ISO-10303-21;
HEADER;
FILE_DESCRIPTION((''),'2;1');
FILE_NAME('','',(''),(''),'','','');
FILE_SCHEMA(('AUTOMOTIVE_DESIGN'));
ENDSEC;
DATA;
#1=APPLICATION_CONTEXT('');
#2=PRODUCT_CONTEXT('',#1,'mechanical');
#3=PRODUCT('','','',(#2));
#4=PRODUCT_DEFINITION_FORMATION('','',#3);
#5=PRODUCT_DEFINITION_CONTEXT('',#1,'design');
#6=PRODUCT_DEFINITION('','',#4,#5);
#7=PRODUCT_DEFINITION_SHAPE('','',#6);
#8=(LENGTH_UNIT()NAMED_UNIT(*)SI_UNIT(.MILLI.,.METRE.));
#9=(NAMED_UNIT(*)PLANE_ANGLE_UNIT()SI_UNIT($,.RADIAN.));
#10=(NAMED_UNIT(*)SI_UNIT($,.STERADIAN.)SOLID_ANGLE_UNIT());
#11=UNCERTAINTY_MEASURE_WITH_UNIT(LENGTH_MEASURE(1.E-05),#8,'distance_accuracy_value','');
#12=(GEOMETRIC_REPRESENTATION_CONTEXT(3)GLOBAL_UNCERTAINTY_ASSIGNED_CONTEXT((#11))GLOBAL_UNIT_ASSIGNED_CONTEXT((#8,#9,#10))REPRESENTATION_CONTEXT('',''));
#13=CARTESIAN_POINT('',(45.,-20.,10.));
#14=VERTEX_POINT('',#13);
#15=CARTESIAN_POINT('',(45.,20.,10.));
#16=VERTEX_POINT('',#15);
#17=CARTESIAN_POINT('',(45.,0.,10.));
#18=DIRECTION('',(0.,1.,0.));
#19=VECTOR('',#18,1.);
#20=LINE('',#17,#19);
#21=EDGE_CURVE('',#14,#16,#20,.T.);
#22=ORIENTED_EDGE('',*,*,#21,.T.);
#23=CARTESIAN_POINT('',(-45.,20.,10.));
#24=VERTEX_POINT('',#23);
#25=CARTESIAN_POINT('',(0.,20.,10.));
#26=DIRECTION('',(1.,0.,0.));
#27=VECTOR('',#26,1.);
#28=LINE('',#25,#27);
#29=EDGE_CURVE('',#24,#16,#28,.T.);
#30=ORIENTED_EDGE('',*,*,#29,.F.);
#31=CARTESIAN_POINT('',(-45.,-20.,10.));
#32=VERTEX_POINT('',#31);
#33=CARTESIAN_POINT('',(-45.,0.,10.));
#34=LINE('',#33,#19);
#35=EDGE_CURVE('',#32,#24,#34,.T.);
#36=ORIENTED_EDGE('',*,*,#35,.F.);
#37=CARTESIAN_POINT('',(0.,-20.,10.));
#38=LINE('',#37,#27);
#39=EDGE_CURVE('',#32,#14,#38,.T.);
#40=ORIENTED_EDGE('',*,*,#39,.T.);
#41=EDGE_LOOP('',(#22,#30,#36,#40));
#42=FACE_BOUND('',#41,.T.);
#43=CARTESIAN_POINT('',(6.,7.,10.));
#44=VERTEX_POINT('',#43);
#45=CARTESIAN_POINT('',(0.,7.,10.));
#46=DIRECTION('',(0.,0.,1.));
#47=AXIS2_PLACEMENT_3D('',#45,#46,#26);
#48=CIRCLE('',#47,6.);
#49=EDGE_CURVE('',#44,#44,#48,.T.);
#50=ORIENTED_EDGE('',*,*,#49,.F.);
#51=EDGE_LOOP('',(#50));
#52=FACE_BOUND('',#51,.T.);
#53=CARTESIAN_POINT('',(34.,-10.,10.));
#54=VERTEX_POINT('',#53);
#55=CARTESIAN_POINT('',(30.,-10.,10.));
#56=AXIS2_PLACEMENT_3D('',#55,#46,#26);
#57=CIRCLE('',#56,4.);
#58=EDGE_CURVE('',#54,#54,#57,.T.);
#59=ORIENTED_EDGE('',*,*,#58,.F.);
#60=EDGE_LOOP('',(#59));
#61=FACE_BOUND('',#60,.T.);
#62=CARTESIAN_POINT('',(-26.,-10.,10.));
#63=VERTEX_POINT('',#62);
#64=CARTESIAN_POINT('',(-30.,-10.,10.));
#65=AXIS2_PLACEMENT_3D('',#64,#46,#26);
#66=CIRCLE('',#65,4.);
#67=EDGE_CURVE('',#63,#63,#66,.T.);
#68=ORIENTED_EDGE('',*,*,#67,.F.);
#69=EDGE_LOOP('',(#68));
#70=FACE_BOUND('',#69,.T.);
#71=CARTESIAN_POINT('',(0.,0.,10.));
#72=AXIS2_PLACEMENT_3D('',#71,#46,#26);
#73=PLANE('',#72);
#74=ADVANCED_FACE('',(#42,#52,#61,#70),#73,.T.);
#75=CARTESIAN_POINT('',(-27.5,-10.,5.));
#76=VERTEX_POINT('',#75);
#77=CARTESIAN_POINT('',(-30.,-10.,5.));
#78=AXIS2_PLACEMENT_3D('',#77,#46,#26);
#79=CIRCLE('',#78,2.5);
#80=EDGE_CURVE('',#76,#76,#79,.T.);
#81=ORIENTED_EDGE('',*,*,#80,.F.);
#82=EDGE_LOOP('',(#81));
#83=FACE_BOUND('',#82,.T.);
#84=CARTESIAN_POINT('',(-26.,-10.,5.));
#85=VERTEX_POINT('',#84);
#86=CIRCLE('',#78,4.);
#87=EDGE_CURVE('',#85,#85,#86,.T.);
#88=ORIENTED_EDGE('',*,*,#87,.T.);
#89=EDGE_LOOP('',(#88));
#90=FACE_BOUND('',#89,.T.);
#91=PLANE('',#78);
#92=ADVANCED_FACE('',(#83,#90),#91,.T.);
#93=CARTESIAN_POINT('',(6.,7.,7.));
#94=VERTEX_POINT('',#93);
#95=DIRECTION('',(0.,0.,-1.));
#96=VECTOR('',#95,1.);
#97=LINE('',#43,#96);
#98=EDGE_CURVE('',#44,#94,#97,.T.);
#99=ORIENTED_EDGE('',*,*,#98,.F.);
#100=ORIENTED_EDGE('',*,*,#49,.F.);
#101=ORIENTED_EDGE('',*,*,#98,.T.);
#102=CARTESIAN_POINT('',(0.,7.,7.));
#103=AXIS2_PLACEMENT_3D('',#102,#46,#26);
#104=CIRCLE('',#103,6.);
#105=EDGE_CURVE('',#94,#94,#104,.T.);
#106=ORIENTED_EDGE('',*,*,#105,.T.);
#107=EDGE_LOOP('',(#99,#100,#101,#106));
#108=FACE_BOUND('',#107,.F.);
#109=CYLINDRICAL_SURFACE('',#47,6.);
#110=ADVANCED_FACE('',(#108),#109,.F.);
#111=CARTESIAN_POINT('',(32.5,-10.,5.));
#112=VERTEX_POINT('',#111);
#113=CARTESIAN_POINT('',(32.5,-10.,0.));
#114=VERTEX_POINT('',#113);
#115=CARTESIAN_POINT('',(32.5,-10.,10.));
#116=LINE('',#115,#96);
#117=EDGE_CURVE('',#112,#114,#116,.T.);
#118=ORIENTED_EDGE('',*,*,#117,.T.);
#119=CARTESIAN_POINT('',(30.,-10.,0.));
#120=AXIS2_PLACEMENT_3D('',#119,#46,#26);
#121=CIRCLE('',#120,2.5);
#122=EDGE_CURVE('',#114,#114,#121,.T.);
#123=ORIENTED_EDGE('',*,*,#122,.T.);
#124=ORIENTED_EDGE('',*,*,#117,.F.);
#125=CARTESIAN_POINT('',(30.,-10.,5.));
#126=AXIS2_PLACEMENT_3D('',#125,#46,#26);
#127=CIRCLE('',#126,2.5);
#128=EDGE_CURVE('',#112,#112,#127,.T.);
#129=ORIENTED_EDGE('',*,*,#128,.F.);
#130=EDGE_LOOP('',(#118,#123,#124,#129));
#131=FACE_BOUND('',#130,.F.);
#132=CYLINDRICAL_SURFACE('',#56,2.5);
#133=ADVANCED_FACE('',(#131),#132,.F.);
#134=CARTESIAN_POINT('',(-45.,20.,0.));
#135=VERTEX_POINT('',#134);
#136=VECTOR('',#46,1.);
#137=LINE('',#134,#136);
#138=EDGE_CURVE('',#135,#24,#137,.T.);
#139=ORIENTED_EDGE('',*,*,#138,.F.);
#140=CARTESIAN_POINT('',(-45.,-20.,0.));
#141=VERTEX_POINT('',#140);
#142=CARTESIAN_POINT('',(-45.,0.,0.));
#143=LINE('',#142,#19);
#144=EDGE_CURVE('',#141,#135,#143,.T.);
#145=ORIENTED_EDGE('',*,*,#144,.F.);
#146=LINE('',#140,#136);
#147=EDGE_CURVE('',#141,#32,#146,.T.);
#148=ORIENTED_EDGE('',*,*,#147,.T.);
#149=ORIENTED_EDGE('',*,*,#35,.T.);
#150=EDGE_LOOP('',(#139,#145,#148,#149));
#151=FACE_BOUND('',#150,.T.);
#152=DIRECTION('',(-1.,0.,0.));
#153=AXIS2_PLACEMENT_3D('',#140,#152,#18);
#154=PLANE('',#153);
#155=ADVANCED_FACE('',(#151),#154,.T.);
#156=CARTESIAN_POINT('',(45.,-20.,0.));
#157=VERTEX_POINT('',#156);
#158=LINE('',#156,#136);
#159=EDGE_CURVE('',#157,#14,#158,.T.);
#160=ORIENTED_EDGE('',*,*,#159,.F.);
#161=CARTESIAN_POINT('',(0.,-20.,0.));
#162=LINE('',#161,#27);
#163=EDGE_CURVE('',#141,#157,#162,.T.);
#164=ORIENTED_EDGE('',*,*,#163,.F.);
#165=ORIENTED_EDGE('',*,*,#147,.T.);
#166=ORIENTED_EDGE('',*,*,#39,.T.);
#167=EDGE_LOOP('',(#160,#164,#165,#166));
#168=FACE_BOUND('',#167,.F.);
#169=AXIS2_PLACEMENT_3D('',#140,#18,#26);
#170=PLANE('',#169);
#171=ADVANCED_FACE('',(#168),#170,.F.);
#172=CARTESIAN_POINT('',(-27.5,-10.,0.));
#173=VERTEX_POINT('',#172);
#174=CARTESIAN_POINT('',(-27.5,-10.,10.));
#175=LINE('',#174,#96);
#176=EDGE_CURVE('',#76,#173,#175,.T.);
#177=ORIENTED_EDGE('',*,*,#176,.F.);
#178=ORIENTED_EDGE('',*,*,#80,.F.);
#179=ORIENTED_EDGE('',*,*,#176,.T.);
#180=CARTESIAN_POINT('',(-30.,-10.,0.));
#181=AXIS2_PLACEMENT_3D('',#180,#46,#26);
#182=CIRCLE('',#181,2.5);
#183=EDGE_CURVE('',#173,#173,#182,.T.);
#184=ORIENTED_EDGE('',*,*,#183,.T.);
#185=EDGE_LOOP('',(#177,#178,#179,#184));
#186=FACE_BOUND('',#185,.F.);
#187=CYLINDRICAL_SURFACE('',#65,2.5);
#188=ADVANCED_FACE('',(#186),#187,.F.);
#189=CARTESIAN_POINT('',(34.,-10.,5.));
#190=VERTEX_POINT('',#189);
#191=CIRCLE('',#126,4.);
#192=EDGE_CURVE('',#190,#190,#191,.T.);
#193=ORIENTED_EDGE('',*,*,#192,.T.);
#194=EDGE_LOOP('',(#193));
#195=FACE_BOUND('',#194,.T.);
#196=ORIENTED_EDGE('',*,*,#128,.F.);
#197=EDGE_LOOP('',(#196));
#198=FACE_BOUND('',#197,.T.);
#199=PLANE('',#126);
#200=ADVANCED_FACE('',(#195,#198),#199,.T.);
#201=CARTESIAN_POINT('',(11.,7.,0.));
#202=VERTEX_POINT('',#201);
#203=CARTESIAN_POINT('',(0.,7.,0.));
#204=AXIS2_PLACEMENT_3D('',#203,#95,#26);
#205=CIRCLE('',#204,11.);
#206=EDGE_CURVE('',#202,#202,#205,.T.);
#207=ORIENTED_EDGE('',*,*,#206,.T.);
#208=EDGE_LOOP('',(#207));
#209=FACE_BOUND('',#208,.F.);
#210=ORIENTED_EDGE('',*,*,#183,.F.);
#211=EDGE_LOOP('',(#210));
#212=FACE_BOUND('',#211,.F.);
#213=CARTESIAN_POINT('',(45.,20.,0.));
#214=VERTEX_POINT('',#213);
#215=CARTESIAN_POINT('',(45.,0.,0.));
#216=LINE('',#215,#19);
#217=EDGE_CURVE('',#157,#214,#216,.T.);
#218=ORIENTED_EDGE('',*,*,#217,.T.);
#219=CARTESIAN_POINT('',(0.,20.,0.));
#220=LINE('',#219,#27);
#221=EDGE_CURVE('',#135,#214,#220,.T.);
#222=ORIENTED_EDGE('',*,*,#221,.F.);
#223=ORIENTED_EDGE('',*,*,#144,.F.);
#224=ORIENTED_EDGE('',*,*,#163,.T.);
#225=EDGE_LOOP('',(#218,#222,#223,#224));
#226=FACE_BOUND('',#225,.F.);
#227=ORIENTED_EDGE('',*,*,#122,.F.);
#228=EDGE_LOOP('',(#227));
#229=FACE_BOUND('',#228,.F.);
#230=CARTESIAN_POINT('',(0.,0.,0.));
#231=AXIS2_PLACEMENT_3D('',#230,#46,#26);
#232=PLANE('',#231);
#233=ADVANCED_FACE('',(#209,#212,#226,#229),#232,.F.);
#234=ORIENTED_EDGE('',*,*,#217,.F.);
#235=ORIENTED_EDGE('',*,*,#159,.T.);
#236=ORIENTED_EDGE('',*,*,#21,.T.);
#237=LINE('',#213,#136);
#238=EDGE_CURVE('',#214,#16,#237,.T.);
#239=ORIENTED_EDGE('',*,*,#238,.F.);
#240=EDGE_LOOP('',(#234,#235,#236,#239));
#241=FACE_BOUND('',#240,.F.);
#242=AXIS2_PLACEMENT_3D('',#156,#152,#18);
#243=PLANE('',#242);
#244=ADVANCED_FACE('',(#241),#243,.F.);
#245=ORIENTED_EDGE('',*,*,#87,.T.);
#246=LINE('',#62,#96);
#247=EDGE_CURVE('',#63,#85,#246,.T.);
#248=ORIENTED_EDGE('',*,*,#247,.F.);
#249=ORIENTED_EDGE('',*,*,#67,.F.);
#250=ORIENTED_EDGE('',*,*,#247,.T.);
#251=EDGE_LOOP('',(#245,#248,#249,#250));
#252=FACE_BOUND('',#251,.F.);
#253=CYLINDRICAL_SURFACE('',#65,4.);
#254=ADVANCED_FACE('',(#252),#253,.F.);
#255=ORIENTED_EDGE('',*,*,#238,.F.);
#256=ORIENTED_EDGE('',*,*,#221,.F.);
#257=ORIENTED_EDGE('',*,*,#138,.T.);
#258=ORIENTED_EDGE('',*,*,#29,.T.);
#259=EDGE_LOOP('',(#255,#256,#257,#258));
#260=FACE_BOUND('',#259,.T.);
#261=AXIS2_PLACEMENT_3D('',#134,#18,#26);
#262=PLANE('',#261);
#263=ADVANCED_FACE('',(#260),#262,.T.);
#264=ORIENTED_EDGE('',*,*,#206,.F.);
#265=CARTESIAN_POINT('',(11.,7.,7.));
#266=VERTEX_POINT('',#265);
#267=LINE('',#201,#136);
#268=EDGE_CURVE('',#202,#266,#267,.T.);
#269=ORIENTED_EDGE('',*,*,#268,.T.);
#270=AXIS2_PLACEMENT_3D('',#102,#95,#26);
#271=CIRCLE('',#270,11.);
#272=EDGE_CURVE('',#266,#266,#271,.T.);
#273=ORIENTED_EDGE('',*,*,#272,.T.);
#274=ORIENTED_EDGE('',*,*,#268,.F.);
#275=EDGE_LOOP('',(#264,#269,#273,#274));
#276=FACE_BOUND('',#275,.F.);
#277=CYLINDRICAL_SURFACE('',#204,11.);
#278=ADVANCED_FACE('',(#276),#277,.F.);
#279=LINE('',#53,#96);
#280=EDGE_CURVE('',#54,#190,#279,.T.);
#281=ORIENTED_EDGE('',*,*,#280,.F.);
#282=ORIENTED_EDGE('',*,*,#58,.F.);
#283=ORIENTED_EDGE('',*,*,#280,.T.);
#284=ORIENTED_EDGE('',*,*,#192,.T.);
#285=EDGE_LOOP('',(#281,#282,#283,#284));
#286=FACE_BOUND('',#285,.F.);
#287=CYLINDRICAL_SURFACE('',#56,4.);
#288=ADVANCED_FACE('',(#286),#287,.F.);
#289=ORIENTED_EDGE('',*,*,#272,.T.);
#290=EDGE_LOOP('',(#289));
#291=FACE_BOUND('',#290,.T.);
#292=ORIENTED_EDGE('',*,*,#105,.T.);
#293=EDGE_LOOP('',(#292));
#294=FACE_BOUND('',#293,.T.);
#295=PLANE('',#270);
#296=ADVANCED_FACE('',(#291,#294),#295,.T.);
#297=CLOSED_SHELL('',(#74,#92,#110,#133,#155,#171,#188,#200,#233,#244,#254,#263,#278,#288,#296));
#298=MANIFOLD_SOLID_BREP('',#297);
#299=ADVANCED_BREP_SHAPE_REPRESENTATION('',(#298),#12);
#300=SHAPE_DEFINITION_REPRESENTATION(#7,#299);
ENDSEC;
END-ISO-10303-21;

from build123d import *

# Parameters (mm, degrees)
SKETCH_W        = 90
SKETCH_H        = 40
PAD_DEPTH       = 10
SKETCH001_R     = 6
SKETCH001_R_2   = 2.5
POCKET_DEPTH    = 10.001
SKETCH002_R     = 4
POCKET001_DEPTH = 5
SKETCH004_R     = 11
POCKET003_DEPTH = 7


with BuildPart() as part:
    # Sketch → Pad (new body)
    with BuildSketch(Plane.XY):
        Rectangle(SKETCH_W, SKETCH_H)
    extrude(amount=PAD_DEPTH)

    # Sketch001 (on Face6 of Pad) → Pocket (cut, through all)
    with BuildSketch(Plane.XY.offset(10)):
        with Locations((0, 7)):
            Circle(SKETCH001_R)
        with Locations((-30, -10)):
            Circle(SKETCH001_R_2)
        with Locations((30, -10)):
            Circle(SKETCH001_R_2)
    extrude(amount=-POCKET_DEPTH, mode=Mode.SUBTRACT)

    # Sketch002 (on Face5 of Pocket) → Pocket001 (cut)
    with BuildSketch(Plane.XY.offset(10)):
        with Locations((30, -10)):
            Circle(SKETCH002_R)
        with Locations((0, 7)):
            Circle(SKETCH002_R)
        with Locations((-30, -10)):
            Circle(SKETCH002_R)
    extrude(amount=-POCKET001_DEPTH, mode=Mode.SUBTRACT)

    # Sketch004 (on Face4 of Pocket001) → Pocket003 (cut)
    with BuildSketch(Plane(origin=(0, 0, 0), x_dir=(1, 0, 0), z_dir=(0, 0, -1))):
        with Locations((0, -7)):
            Circle(SKETCH004_R)
    extrude(amount=-POCKET003_DEPTH, mode=Mode.SUBTRACT)


solid = part.part
